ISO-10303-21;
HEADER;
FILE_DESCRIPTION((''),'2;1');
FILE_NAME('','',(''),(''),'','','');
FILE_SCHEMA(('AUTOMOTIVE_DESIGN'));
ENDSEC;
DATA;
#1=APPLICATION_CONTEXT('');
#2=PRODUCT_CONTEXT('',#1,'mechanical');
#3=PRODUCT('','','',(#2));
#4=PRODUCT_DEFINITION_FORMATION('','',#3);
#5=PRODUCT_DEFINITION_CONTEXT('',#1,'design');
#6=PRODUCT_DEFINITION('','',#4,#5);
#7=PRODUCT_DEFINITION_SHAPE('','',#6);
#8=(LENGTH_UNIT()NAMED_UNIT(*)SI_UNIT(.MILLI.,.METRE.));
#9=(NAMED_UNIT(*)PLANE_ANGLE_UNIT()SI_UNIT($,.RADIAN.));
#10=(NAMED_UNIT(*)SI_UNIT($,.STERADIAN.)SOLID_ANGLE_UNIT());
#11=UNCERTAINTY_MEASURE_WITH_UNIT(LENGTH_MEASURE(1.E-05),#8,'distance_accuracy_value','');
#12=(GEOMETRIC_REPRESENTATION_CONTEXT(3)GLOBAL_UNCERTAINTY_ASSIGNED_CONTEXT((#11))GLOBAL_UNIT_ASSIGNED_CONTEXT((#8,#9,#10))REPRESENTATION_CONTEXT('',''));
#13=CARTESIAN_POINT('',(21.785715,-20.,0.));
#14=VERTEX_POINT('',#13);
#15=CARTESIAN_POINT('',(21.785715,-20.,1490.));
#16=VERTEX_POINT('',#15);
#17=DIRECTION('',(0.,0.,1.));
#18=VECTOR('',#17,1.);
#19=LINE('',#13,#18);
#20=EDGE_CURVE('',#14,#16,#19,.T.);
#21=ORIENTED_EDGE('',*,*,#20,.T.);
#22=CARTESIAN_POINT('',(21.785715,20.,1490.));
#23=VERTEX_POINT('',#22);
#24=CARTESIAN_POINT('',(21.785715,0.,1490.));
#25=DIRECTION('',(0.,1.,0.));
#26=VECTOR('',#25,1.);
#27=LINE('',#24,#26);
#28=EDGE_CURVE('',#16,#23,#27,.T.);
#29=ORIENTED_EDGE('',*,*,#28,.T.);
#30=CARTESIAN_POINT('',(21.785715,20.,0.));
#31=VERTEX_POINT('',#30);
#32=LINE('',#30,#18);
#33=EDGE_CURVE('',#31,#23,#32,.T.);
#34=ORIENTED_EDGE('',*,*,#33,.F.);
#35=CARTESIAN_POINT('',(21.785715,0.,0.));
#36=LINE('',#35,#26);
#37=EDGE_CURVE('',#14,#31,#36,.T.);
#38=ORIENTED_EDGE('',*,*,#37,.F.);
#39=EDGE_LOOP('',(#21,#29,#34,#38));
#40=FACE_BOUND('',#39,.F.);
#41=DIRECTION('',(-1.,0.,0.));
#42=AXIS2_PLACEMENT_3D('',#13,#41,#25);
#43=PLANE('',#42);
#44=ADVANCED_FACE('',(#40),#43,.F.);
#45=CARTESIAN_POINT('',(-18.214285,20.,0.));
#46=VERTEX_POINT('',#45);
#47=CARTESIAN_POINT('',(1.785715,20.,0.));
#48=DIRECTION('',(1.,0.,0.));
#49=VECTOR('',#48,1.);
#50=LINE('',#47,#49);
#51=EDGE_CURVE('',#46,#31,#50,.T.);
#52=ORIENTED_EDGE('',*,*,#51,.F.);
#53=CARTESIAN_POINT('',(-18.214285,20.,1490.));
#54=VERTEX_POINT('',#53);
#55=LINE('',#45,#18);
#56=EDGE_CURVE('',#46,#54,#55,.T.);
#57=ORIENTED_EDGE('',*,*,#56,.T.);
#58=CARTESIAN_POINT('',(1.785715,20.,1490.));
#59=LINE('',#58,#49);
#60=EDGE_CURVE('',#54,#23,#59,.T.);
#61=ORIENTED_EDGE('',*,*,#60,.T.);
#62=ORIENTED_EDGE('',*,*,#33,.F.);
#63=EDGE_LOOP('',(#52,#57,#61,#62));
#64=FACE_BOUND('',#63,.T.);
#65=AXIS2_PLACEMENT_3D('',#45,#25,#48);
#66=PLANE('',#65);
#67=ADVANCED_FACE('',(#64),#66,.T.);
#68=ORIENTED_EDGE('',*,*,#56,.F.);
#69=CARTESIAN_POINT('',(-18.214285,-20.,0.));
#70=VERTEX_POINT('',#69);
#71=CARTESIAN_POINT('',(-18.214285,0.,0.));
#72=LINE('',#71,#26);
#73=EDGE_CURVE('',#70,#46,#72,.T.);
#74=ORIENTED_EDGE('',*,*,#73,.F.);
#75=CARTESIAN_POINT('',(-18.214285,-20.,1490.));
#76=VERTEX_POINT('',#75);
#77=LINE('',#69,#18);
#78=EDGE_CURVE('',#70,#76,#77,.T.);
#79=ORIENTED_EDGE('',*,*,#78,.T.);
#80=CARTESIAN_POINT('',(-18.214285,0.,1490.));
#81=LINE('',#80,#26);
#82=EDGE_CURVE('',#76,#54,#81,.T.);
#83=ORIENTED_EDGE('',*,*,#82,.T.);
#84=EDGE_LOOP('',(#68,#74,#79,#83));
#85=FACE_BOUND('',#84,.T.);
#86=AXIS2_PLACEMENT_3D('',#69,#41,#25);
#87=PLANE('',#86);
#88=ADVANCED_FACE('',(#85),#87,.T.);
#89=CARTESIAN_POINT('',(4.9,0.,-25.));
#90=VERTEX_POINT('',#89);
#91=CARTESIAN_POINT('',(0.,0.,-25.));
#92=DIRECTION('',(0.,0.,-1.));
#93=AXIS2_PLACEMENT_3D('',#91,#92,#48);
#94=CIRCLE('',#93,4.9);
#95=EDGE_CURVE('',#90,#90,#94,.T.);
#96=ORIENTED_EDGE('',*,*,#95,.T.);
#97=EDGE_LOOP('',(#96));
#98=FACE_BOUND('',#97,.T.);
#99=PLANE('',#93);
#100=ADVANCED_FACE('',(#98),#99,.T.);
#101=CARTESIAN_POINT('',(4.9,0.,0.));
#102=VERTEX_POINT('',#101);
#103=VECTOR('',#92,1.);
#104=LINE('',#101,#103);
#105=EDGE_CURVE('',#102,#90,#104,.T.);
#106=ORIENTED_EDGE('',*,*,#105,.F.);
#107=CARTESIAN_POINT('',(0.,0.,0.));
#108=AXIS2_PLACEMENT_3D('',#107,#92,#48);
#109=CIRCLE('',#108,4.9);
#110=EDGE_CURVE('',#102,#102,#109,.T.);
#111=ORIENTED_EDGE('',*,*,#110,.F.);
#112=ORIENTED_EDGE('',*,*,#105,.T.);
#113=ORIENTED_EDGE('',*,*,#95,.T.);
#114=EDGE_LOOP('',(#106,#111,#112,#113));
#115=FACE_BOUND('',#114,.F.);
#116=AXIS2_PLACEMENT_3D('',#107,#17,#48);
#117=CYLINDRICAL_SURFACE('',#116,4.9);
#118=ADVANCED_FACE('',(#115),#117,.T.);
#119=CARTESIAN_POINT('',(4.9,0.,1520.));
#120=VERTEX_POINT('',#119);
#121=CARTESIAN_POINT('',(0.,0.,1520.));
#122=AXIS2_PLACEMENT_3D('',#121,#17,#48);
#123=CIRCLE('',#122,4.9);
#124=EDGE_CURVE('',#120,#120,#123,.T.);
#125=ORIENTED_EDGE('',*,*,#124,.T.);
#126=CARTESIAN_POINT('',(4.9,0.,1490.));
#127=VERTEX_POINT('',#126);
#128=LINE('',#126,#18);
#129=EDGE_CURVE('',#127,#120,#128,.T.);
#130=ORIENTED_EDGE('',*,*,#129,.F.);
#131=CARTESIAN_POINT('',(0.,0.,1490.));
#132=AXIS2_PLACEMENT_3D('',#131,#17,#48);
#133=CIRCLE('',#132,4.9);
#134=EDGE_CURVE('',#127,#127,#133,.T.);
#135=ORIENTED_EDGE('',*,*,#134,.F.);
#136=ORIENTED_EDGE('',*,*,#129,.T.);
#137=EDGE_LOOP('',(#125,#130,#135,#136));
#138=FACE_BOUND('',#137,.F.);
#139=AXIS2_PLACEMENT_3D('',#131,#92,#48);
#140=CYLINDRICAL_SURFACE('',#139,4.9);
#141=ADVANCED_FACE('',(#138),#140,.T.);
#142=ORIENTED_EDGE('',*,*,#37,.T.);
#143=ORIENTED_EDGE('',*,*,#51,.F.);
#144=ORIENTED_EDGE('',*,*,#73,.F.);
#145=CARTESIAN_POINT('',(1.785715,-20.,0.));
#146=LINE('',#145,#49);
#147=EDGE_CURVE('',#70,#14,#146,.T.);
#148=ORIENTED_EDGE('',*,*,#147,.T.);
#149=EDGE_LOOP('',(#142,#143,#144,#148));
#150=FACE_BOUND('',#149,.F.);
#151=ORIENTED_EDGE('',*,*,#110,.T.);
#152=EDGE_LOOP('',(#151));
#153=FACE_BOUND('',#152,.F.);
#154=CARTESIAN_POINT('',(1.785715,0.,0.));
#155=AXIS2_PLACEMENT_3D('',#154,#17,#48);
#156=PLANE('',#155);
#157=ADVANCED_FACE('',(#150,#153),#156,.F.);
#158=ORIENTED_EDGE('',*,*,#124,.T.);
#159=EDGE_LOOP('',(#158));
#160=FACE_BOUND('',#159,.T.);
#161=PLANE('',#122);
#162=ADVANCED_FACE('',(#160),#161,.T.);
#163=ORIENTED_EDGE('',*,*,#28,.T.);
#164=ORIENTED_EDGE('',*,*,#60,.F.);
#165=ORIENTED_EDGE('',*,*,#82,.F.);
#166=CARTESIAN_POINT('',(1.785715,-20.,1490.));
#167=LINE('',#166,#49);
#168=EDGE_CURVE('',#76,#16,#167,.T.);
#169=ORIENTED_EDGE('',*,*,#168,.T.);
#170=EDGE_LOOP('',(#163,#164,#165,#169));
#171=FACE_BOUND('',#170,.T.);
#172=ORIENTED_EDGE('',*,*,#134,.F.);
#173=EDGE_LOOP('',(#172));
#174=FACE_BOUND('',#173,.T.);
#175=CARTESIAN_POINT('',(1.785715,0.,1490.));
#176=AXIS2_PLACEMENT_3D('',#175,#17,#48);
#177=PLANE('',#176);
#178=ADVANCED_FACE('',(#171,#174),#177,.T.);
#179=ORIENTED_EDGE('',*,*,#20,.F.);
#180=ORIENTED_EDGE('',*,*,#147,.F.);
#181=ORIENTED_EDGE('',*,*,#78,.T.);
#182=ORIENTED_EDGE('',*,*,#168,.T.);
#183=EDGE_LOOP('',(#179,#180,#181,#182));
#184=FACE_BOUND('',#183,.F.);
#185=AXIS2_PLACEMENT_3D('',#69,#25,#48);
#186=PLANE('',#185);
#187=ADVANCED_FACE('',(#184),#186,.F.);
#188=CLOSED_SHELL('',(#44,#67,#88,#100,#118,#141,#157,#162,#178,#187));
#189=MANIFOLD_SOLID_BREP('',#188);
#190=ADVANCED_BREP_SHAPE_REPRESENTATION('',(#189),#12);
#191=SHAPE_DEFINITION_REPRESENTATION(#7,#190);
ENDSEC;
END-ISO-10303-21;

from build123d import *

# Parameters (mm, degrees)
F0_W     = 40
F0_H     = 40
F1_DEPTH = 1490
F2_R     = 4.9
F3_DEPTH = 30
F4_R     = 4.9
F5_DEPTH = 25


with BuildPart() as f1:
    # F0 (on Top) → F1 (new body)
    with BuildSketch(Plane.XY):
        with Locations((1.785715, 0)):
            Rectangle(F0_W, F0_H)
    extrude(amount=F1_DEPTH)

    # F2 (on face) → F3 (join)
    with BuildSketch(Plane.XY.offset(1490)):
        Circle(F2_R)
    extrude(amount=F3_DEPTH)

    # F4 (on face) → F5 (join)
    with BuildSketch(Plane(origin=(0, 0, 0), x_dir=(1, 0, 0), z_dir=(0, 0, -1))):
        Circle(F4_R)
    extrude(amount=F5_DEPTH)


solid = f1.part
